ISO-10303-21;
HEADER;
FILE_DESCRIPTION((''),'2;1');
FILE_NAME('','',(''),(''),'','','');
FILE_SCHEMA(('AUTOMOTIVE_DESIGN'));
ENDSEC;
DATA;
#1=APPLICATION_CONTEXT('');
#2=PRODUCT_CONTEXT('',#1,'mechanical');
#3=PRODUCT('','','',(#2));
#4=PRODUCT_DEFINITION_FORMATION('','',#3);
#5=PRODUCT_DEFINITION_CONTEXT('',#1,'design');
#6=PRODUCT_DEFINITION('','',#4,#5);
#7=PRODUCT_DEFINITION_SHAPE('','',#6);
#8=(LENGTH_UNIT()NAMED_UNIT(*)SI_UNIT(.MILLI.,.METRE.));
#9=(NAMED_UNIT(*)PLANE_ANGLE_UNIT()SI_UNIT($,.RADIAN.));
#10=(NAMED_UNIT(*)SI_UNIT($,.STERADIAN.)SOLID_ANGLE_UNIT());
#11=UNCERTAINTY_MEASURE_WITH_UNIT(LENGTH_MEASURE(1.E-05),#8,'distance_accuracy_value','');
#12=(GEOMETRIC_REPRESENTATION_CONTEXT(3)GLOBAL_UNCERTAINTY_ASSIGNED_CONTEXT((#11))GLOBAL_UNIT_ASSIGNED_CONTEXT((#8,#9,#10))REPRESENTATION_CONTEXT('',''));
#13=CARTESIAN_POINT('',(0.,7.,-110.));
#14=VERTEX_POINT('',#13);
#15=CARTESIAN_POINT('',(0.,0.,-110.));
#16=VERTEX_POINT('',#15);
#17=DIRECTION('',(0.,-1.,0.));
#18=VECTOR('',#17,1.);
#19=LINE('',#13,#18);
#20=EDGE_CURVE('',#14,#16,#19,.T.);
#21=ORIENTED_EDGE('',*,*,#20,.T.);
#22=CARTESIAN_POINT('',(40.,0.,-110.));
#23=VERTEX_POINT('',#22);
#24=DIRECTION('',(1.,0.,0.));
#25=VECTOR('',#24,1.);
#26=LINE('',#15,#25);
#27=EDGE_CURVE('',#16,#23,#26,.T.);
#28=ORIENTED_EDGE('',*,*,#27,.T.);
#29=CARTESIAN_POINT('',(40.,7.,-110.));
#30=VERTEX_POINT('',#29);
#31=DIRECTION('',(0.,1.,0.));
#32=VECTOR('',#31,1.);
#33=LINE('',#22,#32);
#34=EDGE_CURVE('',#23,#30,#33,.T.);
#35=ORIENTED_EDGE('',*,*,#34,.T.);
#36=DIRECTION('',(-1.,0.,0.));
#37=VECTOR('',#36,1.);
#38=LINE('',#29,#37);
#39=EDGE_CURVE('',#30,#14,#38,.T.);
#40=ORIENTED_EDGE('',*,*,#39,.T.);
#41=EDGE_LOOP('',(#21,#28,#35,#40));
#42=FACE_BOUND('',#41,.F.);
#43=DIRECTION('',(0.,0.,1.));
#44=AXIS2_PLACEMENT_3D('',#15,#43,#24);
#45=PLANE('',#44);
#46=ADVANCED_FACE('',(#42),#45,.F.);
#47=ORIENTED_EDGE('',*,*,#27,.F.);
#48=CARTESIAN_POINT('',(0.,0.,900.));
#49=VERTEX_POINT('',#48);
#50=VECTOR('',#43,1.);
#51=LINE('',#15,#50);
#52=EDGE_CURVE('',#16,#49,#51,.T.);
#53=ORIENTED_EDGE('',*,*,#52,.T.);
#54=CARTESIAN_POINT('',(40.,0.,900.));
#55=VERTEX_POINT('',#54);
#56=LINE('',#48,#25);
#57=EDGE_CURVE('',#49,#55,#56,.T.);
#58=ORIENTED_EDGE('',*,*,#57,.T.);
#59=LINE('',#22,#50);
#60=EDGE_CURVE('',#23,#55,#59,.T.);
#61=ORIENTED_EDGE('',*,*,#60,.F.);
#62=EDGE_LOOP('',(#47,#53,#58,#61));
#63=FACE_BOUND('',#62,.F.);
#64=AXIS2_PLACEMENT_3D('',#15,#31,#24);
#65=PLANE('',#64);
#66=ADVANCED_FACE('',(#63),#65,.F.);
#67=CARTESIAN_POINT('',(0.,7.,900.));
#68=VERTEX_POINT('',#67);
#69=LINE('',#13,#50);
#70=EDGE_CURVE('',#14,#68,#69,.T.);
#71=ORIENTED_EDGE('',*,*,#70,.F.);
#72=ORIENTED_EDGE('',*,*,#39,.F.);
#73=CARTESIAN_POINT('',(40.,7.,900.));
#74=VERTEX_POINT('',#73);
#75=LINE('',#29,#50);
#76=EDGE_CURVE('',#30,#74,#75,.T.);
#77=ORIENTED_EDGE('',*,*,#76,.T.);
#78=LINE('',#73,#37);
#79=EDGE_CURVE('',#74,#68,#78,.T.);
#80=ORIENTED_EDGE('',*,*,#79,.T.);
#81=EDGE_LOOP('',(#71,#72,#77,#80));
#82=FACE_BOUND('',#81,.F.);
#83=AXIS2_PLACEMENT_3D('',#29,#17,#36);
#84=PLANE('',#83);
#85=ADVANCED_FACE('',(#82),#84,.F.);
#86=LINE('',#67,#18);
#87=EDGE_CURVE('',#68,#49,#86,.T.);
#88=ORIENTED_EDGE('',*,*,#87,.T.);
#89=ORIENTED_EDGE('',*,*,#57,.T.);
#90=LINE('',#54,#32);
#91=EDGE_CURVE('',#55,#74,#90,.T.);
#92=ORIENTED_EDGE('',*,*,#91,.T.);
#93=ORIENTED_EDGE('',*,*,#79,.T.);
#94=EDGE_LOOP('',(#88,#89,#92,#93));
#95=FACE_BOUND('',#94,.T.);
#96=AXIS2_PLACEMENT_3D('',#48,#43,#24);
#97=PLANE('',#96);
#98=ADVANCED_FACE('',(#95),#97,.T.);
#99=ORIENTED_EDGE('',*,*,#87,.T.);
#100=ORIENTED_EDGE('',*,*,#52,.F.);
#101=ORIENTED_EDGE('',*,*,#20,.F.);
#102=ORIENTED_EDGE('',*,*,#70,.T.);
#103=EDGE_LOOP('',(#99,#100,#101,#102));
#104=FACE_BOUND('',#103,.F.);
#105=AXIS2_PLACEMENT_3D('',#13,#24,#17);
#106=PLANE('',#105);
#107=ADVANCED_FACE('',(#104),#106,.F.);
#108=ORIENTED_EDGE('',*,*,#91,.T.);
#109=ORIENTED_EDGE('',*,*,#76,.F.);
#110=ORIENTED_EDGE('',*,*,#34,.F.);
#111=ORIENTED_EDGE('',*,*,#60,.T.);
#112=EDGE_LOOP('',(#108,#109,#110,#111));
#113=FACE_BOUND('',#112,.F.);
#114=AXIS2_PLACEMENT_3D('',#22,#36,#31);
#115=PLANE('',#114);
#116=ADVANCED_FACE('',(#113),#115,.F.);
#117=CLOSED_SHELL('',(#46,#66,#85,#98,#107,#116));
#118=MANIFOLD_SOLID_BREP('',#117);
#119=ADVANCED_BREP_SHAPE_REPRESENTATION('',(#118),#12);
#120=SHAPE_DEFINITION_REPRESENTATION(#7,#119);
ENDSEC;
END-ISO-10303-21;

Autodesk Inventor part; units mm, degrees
ref_plane "Начальная плоскость" through (0, 0, -110) normal (0, 0, 1) x (1, 0, 0)
ref_plane "Конечная плоскость" through (0, 0, 900) normal (0, 0, 1) x (1, 0, 0)
sketch "Эскиз" plane through (0, 0, 0) normal (0, 0, 1) x (1, 0, 0)
  line L0 (0, 0) -> (40, 0)
  line L1 (40, 0) -> (40, 7)
  line L2 (40, 7) -> (0, 7)
  line L3 (0, 7) -> (0, 0)
  point P0 (0, 0)
extrude "Тело" add sketch "Эскиз" along normal up to surface (1010 mm away) from surface at -110
sketch "Эскиз6" plane through (0, 0, 0) normal (0, 0, 1) x (1, 0, 0)
  line L0 (0, 0) -> (10, 0)
ref_plane "РабПлоскость5" through (0, 0, 0) normal (0, -1, 0) x (1, 0, 0)
sketch "Эскиз7" plane through (0, 0, 0) normal (0, -1, 0) x (1, 0, 0)
  line L0 (-2, -110) -> (12, -110)
  line L1 (-2, 900) -> (12, 900)
  dimension "d17" = 1010
ref_plane "РабПлоскость6" through (-25, -920, -110) normal (0, 0, -1) x (-1, 0, 0)
split "Разделение1" plane through (-25, -920, -110) removes the side toward (0, 0, -1)
ref_plane "РабПлоскость7" through (65, -920, 900) normal (0, 0, 1) x (1, 0, 0)
split "Разделение2" plane through (65, -920, 900) removes the side toward (0, 0, 1)
properties part number "Планка перил 40х7" material "Береза"
